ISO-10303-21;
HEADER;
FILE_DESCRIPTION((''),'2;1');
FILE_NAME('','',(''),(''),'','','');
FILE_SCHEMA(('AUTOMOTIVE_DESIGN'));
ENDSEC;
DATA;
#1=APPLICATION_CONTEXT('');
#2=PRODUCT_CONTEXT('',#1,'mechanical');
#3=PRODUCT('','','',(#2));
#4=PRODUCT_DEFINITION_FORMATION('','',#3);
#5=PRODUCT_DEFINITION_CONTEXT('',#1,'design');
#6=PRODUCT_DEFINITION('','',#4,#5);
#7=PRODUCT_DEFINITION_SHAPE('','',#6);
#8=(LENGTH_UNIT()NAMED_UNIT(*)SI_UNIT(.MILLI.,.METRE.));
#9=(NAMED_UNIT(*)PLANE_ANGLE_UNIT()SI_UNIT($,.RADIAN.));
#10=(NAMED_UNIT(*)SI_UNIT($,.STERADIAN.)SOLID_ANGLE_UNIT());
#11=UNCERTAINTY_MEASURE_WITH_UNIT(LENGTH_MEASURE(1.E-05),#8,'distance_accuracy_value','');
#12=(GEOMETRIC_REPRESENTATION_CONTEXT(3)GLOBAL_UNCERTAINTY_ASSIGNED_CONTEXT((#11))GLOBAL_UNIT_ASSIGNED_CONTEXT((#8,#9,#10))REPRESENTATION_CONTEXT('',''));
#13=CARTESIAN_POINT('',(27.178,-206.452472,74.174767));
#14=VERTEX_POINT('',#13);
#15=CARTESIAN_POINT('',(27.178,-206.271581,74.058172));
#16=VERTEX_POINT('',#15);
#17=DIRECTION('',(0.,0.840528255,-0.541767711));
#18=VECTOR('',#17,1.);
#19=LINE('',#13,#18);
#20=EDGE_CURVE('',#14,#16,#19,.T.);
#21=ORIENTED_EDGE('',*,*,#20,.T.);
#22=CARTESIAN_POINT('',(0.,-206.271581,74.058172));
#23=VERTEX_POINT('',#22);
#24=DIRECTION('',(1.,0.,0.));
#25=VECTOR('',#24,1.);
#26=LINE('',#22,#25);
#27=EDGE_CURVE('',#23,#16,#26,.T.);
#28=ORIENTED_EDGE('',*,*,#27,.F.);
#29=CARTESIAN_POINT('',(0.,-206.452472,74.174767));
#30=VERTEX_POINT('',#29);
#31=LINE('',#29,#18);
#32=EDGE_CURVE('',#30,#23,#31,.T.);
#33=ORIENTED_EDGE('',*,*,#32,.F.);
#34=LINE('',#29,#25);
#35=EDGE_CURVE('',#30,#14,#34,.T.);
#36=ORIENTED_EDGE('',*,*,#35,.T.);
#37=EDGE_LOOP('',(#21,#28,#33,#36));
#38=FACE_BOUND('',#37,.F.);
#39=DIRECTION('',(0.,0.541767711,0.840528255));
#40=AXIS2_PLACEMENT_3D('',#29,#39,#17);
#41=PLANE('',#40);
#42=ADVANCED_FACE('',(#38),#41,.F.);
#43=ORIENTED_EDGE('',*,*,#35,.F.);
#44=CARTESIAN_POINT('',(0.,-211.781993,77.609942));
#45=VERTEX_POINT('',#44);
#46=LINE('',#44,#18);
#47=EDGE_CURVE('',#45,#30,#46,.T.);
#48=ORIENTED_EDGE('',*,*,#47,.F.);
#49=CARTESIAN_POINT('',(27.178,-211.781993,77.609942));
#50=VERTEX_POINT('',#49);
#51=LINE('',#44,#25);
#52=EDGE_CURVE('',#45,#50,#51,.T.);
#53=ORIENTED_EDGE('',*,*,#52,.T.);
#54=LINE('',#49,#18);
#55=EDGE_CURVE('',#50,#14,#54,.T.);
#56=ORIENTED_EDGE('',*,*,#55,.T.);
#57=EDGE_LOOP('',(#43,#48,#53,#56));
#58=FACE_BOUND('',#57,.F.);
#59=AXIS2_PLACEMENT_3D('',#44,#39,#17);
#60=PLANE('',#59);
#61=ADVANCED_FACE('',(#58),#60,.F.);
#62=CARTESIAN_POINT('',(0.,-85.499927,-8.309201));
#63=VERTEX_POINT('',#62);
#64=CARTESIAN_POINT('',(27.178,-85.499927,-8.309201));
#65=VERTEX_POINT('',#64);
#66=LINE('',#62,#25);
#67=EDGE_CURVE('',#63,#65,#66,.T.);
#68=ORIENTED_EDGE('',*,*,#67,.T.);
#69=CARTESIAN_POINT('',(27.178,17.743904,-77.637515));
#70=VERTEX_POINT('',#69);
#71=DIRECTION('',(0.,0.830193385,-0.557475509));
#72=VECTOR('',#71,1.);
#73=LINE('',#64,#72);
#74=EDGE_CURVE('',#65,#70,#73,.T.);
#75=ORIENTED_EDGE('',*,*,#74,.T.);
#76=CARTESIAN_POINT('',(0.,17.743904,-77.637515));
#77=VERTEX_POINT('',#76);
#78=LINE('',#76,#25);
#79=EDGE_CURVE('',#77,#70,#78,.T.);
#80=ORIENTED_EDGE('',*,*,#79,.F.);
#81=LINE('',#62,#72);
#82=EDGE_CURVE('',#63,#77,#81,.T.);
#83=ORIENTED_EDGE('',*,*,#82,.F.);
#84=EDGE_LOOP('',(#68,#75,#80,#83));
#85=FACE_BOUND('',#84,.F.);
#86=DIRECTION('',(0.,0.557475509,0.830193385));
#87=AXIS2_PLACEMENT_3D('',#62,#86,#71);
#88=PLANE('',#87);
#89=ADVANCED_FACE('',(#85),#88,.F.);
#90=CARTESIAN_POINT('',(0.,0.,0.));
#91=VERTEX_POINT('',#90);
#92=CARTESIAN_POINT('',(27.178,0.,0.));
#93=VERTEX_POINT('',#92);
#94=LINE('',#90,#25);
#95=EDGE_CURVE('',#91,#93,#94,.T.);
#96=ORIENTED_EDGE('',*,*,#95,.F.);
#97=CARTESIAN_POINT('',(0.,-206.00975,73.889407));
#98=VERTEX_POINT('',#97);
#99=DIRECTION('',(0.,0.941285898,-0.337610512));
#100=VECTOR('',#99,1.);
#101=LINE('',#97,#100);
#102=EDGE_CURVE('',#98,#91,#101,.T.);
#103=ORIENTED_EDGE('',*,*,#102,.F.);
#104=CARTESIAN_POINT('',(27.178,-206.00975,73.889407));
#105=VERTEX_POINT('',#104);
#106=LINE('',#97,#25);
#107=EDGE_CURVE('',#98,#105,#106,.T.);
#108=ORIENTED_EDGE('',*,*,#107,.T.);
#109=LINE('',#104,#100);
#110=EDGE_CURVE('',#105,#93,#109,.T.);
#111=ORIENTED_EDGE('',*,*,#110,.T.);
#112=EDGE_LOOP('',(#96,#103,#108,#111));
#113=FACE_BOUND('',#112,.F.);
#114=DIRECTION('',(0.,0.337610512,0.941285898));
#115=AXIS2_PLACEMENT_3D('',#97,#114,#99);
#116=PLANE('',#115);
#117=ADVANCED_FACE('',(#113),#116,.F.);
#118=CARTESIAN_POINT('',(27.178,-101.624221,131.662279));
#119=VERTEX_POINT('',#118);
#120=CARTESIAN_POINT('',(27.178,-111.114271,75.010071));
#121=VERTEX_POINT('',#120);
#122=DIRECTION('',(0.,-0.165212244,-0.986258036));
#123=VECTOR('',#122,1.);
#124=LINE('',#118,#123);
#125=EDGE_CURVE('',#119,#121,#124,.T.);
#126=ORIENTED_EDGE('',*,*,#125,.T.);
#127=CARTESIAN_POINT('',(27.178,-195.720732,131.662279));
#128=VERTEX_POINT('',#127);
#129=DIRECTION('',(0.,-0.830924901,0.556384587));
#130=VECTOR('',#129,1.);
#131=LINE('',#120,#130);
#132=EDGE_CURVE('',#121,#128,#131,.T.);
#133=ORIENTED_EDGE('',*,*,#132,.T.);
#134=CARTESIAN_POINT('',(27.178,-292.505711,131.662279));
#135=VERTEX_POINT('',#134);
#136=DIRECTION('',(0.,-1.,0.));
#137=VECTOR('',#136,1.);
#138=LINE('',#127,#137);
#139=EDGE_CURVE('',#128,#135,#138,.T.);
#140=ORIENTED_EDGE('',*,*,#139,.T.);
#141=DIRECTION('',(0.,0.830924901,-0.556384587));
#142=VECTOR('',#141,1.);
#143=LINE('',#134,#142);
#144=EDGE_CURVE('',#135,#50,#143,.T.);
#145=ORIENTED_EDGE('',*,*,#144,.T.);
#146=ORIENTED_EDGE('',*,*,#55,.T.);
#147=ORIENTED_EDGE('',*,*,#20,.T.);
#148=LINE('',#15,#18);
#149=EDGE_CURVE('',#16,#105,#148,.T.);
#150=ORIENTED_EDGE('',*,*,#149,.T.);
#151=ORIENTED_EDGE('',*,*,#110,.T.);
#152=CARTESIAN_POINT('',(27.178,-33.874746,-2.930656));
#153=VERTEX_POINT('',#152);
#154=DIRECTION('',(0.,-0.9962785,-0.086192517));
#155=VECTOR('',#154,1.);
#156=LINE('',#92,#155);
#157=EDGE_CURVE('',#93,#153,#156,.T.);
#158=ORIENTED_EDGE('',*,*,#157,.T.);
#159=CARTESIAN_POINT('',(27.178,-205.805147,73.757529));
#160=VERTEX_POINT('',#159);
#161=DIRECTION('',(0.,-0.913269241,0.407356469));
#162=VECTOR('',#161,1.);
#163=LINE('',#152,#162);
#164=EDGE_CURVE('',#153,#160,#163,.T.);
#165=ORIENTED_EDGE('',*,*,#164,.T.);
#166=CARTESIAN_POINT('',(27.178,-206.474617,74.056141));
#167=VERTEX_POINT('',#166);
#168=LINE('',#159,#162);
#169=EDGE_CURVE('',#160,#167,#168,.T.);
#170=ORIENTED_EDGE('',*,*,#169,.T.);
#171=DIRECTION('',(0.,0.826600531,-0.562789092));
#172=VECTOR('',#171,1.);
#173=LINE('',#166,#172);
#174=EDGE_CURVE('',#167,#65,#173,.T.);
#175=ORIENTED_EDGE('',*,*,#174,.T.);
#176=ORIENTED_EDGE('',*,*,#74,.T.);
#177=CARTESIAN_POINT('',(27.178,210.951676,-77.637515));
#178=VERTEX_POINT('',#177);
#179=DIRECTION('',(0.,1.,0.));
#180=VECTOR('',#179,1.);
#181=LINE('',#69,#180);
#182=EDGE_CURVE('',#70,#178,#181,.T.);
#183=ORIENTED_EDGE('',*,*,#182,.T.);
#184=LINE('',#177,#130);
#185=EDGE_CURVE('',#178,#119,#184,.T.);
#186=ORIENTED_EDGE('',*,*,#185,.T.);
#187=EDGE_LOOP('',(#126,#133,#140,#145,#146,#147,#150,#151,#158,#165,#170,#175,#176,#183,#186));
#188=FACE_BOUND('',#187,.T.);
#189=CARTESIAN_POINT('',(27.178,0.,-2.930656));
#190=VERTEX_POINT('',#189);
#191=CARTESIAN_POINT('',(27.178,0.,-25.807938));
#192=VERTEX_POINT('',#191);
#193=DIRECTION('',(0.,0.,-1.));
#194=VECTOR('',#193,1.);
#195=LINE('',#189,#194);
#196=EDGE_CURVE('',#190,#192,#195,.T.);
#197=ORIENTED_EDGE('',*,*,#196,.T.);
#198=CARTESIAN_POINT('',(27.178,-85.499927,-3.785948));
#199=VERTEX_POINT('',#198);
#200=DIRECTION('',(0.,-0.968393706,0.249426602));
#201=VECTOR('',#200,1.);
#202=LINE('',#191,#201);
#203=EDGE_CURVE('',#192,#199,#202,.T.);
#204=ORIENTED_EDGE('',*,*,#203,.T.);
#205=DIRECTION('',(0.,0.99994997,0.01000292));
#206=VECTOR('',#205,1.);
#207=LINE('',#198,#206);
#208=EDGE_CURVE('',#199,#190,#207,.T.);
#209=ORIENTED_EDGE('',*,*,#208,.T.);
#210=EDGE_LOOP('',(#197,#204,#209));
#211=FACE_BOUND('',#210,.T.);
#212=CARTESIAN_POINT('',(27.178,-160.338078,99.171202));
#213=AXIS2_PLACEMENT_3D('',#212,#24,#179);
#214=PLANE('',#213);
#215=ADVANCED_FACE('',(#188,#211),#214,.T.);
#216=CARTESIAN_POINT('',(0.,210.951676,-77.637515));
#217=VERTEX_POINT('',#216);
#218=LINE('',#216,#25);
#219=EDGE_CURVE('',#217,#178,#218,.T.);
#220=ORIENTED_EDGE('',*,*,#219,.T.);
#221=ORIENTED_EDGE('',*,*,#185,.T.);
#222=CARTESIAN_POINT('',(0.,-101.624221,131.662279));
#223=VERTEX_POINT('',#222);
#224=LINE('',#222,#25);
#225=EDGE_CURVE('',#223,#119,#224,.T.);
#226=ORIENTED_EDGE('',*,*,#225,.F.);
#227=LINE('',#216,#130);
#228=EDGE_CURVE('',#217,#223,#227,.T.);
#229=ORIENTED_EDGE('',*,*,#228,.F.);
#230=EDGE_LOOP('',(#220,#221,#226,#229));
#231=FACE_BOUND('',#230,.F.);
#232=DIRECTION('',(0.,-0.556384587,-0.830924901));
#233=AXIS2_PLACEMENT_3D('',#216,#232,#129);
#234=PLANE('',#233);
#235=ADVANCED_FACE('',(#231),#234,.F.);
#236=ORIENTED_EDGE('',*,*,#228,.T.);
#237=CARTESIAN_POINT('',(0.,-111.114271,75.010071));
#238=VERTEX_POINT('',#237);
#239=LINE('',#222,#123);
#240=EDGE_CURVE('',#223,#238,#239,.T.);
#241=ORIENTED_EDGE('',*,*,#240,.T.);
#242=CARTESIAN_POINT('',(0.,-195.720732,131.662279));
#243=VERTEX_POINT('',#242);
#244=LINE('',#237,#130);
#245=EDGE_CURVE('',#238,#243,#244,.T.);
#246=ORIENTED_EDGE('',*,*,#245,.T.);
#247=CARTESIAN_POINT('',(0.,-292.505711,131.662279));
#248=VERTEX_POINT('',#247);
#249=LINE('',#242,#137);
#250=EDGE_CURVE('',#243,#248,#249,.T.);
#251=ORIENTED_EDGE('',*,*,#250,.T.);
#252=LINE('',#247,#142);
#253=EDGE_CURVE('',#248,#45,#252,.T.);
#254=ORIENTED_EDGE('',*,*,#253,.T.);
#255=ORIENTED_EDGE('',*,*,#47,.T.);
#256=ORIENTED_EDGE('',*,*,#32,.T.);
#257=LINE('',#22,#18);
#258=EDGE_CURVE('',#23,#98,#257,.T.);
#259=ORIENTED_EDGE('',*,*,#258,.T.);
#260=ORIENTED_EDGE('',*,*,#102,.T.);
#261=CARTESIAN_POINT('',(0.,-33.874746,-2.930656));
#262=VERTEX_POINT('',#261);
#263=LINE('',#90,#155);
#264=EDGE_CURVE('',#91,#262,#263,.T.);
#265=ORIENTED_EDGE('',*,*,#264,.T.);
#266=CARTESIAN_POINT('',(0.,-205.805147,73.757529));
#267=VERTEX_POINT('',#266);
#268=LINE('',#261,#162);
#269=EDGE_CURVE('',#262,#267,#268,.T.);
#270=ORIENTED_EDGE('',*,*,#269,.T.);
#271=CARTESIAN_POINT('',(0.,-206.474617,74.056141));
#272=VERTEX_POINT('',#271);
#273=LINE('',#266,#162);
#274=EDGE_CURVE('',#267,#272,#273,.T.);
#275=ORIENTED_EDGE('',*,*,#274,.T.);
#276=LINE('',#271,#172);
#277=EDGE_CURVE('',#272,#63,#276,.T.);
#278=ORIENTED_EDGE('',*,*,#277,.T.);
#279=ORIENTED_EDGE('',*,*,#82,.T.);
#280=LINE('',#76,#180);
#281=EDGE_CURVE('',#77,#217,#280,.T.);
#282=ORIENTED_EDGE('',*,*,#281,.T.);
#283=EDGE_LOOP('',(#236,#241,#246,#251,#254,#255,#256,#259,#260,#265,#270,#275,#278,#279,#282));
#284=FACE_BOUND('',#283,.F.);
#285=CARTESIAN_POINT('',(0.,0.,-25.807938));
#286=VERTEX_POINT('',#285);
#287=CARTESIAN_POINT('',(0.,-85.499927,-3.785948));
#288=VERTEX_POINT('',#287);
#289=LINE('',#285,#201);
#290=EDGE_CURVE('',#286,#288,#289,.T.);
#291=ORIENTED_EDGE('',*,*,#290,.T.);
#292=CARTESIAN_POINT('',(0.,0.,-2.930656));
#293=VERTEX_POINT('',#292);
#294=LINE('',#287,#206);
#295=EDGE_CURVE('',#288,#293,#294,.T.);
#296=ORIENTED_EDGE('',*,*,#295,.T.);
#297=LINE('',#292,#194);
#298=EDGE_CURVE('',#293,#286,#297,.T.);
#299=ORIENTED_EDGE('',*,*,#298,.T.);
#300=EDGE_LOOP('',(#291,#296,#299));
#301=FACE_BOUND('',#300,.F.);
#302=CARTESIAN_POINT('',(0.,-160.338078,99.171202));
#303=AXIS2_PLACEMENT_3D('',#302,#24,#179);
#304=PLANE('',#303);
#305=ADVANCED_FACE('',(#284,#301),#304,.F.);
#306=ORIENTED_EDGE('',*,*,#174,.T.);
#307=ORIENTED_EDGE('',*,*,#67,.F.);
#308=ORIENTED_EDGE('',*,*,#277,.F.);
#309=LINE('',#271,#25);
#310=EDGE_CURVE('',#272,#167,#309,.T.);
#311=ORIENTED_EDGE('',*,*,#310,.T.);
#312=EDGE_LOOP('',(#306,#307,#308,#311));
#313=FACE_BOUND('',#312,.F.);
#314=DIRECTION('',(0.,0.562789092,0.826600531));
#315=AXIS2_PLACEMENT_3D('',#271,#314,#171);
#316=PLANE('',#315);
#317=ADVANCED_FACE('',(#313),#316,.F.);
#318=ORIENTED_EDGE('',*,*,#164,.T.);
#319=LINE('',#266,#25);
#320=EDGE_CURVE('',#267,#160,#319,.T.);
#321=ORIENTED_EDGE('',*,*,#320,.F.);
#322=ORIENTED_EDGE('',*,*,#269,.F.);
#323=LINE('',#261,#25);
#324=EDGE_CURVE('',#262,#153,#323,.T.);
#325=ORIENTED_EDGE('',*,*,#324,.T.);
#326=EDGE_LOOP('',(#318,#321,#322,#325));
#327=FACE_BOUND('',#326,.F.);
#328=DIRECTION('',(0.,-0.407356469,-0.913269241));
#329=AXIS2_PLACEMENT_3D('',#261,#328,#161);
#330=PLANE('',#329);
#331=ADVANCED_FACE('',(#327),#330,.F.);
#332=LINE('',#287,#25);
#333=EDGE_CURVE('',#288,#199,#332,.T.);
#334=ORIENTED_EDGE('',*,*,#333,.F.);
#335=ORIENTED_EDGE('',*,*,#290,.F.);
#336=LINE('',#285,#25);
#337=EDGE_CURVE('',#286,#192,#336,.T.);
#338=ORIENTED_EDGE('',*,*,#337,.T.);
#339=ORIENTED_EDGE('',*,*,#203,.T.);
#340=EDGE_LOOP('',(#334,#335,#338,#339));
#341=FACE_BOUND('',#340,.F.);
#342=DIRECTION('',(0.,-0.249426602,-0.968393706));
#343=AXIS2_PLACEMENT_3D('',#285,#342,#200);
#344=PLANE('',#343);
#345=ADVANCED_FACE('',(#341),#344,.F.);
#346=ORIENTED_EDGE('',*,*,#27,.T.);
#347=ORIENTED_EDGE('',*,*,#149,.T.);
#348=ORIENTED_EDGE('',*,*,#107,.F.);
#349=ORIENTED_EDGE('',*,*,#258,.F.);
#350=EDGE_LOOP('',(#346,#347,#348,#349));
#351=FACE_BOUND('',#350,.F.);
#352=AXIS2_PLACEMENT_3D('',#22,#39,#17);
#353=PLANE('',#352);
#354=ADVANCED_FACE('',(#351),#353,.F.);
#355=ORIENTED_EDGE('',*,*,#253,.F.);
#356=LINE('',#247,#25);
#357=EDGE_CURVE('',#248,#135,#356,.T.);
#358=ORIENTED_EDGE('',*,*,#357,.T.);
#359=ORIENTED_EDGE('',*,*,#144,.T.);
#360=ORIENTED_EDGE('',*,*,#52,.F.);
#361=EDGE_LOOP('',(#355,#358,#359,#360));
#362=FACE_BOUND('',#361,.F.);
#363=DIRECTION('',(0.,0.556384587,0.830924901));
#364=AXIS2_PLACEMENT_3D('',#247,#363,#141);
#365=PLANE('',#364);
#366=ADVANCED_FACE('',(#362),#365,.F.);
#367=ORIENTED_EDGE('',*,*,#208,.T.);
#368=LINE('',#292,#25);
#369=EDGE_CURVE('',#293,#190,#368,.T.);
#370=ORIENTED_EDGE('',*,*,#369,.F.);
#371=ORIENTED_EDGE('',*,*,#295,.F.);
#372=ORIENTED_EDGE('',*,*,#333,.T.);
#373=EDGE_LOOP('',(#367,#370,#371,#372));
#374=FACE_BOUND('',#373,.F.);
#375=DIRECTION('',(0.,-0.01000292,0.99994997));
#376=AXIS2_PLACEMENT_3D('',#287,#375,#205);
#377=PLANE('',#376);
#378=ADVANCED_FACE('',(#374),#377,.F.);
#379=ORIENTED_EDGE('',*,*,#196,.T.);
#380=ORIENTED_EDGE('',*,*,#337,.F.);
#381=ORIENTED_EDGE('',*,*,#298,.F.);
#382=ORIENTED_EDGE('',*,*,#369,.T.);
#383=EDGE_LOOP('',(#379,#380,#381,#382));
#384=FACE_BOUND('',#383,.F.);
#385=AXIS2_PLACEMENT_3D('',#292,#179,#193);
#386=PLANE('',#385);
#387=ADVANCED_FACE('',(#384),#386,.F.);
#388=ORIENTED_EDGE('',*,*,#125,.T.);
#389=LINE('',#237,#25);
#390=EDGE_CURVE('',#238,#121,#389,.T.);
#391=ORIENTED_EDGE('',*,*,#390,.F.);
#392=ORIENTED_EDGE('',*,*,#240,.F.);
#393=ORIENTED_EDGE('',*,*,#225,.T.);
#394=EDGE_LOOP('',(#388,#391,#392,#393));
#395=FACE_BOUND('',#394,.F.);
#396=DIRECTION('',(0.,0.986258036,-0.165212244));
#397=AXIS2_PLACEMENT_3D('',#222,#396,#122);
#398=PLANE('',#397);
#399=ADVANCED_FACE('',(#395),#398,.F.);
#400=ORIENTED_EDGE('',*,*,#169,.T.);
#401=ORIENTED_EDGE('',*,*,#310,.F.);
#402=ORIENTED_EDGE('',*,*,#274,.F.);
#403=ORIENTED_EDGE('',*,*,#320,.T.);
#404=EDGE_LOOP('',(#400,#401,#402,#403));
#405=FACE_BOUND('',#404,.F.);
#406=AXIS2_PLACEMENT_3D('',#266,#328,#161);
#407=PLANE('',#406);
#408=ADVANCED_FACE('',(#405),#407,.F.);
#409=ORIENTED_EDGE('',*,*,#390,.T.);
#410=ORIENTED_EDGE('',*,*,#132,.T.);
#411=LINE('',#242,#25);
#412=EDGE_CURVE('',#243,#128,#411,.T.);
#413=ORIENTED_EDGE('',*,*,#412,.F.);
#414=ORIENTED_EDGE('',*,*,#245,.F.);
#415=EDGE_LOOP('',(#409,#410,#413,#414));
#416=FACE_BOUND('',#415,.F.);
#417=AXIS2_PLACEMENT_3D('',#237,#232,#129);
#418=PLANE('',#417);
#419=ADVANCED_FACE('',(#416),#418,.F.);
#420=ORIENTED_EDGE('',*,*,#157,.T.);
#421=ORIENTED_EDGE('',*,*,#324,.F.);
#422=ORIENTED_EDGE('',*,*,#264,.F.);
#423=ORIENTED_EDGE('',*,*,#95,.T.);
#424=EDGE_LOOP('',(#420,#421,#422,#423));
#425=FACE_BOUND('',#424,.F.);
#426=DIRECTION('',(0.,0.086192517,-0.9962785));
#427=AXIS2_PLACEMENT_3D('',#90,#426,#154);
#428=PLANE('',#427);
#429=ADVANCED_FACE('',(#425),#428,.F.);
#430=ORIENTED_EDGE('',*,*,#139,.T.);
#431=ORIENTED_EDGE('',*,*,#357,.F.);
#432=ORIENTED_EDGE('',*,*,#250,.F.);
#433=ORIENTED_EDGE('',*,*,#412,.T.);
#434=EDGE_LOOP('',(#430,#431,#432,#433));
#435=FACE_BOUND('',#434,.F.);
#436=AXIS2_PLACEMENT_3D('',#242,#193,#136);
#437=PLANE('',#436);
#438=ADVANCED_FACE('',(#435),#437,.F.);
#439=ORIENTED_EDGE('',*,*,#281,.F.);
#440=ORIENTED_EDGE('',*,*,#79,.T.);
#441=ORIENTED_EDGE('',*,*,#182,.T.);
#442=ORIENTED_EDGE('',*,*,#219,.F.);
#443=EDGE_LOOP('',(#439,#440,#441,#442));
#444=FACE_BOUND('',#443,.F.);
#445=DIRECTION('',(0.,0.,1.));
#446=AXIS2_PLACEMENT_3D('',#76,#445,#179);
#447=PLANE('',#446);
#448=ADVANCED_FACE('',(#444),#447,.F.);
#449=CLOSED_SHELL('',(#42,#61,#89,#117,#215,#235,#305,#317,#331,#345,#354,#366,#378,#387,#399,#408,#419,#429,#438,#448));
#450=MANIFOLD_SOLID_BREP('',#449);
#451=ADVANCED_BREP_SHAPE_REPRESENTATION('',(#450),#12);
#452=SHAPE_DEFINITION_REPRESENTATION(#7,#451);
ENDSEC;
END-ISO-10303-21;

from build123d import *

# Parameters (mm, degrees)
F1_DEPTH = 27.178


with BuildPart() as f1:
    # F0 (on Right) → F1 (new body)
    with BuildSketch(Plane.YZ):
        Polygon((-201.0527832023, 103.0996836883), (-111.1142710685, 75.0100706926), (-195.7207322121, 131.6622793674), align=None)
        Polygon((-111.1142710685, 75.0100706926), (-206.2715808406, 74.0581721357), (-206.0097499806, 73.8894074276), (0, 0), (210.9516762065, -77.6375151615), (-101.6242206097, 131.6622793674), align=None)
        Polygon((-206.4524721431, 74.174766749), (-206.2715808406, 74.0581721357), (-111.1142710685, 75.0100706926), (-201.0527832023, 103.0996836883), align=None)
        Polygon((-205.8051467933, 73.7575291716), (-206.4746171236, 74.0561410785), (-85.4999272821, -8.3092013374), (17.7439041436, -77.6375151615), (0, -25.8079376072), (-85.4999272821, -3.785947777), align=None)
        Polygon((-33.874746412, -2.9306560755), (-205.8051467933, 73.7575291716), (-85.4999272821, -3.785947777), (0, -2.9306560755), (0, -25.8079376072), (17.7439041436, -77.6375151615), (210.9516762065, -77.6375151615), (0, 0), align=None)
        Polygon((-292.5057113171, 131.6622793674), (-211.7819928518, 77.6099424455), (-206.4524721431, 74.174766749), (-201.0527832023, 103.0996836883), align=None)
        Polygon((-195.7207322121, 131.6622793674), (-292.5057113171, 131.6622793674), (-201.0527832023, 103.0996836883), align=None)
    extrude(amount=F1_DEPTH)


solid = f1.part
